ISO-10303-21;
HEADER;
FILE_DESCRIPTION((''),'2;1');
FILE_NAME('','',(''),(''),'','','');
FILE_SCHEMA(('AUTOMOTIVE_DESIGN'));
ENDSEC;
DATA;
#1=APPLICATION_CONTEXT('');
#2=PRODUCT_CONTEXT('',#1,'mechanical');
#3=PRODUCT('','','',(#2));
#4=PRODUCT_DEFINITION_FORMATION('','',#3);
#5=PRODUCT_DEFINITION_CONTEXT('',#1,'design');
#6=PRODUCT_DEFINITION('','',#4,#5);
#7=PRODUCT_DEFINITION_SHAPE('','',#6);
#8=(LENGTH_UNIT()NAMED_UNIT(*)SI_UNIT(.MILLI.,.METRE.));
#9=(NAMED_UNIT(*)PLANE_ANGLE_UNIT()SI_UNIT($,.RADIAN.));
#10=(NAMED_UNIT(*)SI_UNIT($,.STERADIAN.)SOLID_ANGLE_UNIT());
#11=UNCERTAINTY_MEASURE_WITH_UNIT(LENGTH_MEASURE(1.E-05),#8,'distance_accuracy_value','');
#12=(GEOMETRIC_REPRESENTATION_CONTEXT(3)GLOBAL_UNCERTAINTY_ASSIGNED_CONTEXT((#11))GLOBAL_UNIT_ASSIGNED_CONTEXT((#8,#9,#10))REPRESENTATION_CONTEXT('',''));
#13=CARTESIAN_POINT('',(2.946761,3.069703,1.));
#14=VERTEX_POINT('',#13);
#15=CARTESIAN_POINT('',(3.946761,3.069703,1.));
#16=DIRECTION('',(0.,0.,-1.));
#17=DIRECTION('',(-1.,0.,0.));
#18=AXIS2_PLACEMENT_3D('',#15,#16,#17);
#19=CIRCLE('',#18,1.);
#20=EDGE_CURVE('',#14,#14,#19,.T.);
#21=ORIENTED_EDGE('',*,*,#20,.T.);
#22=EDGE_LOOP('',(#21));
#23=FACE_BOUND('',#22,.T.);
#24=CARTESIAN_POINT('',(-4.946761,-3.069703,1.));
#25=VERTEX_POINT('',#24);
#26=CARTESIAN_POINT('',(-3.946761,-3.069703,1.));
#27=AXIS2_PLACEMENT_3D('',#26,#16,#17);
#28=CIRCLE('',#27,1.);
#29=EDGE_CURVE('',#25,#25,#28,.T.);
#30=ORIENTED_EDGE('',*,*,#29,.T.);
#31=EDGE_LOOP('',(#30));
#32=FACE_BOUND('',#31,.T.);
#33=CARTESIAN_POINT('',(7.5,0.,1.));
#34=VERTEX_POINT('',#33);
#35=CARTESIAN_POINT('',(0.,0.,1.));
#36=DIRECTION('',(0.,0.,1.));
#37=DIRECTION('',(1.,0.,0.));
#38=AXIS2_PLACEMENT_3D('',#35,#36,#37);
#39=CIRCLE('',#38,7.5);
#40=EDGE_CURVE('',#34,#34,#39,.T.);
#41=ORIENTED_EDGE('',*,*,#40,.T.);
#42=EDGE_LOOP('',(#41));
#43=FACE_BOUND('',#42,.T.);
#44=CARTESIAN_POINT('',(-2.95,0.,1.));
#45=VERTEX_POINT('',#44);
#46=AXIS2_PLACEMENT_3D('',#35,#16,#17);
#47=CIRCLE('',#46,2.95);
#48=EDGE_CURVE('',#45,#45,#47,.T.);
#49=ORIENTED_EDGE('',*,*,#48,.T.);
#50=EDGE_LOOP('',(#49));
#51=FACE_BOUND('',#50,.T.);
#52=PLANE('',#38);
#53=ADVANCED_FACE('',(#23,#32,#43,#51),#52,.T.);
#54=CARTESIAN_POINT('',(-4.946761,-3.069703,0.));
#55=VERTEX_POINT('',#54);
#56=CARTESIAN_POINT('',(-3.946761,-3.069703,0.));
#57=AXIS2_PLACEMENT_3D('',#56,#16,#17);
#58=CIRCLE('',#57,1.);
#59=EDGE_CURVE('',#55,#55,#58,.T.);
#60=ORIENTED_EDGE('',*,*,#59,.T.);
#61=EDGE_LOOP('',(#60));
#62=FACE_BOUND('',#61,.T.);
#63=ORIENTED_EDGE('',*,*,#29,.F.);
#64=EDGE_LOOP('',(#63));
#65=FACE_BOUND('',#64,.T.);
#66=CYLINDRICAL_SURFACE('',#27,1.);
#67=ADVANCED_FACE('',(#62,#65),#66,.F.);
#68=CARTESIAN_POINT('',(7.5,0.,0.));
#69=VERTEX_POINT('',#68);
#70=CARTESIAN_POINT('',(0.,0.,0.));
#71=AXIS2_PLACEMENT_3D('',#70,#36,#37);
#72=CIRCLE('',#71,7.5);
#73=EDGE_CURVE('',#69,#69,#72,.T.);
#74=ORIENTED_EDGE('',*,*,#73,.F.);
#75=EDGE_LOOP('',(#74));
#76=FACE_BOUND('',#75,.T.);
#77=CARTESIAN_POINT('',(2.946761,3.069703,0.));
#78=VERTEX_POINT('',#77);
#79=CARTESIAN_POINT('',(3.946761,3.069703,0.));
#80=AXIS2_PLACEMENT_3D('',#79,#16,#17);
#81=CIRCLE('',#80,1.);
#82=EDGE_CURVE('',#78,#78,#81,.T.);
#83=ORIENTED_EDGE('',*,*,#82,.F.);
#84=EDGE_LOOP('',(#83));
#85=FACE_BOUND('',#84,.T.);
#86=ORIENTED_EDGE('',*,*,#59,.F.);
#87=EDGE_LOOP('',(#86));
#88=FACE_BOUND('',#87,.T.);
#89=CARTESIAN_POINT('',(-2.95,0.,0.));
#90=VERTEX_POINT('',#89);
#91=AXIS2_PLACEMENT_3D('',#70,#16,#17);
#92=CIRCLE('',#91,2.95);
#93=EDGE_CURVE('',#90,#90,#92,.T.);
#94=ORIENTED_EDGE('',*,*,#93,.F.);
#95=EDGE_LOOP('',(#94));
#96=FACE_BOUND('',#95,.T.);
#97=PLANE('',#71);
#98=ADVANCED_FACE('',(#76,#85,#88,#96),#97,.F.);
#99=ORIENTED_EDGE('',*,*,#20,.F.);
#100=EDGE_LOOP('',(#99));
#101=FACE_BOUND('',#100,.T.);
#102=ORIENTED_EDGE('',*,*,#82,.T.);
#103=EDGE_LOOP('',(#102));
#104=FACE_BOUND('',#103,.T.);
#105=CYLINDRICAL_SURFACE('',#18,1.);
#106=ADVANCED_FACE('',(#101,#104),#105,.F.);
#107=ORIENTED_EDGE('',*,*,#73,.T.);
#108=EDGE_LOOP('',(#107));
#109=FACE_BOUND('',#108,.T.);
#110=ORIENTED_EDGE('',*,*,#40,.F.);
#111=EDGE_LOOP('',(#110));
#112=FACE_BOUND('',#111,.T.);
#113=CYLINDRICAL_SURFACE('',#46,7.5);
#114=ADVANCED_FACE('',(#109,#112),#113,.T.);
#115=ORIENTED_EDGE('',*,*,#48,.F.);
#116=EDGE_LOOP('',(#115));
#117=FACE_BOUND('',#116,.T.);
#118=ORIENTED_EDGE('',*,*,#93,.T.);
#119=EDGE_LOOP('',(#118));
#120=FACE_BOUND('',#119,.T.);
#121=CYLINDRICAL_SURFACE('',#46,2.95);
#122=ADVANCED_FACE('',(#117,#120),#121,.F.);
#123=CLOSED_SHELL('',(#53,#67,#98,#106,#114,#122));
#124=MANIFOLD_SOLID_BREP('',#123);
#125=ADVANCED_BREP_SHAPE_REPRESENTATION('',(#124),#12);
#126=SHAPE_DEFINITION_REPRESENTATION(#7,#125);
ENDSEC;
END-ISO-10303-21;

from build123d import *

# Parameters (mm, degrees)
ESQUISSE1_R             = 7.5
BOSS_EXTRU_1_DEPTH      = 1
ESQUISSE2_R             = 2.95
ESQUISSE2_R_2           = 1
ENL_V_MAT_EXTRU_1_DEPTH = 11.653637876


with BuildPart() as part:
    # Esquisse1 → Boss.-Extru.1 (new body)
    with BuildSketch(Plane.XY):
        Circle(ESQUISSE1_R)
    extrude(amount=BOSS_EXTRU_1_DEPTH)

    # Esquisse2 → Enlèv. mat.-Extru.1 (cut, through all)
    with BuildSketch(Plane(origin=(0, 0, 0), x_dir=(-1, 0, 0), z_dir=(0, 0, -1))):
        Circle(ESQUISSE2_R)
        with Locations((-3.946761087, 3.069703068)):
            Circle(ESQUISSE2_R_2)
        with Locations((3.946761087, -3.069703068)):
            Circle(ESQUISSE2_R_2)
    extrude(amount=-ENL_V_MAT_EXTRU_1_DEPTH, mode=Mode.SUBTRACT)


solid = part.part
